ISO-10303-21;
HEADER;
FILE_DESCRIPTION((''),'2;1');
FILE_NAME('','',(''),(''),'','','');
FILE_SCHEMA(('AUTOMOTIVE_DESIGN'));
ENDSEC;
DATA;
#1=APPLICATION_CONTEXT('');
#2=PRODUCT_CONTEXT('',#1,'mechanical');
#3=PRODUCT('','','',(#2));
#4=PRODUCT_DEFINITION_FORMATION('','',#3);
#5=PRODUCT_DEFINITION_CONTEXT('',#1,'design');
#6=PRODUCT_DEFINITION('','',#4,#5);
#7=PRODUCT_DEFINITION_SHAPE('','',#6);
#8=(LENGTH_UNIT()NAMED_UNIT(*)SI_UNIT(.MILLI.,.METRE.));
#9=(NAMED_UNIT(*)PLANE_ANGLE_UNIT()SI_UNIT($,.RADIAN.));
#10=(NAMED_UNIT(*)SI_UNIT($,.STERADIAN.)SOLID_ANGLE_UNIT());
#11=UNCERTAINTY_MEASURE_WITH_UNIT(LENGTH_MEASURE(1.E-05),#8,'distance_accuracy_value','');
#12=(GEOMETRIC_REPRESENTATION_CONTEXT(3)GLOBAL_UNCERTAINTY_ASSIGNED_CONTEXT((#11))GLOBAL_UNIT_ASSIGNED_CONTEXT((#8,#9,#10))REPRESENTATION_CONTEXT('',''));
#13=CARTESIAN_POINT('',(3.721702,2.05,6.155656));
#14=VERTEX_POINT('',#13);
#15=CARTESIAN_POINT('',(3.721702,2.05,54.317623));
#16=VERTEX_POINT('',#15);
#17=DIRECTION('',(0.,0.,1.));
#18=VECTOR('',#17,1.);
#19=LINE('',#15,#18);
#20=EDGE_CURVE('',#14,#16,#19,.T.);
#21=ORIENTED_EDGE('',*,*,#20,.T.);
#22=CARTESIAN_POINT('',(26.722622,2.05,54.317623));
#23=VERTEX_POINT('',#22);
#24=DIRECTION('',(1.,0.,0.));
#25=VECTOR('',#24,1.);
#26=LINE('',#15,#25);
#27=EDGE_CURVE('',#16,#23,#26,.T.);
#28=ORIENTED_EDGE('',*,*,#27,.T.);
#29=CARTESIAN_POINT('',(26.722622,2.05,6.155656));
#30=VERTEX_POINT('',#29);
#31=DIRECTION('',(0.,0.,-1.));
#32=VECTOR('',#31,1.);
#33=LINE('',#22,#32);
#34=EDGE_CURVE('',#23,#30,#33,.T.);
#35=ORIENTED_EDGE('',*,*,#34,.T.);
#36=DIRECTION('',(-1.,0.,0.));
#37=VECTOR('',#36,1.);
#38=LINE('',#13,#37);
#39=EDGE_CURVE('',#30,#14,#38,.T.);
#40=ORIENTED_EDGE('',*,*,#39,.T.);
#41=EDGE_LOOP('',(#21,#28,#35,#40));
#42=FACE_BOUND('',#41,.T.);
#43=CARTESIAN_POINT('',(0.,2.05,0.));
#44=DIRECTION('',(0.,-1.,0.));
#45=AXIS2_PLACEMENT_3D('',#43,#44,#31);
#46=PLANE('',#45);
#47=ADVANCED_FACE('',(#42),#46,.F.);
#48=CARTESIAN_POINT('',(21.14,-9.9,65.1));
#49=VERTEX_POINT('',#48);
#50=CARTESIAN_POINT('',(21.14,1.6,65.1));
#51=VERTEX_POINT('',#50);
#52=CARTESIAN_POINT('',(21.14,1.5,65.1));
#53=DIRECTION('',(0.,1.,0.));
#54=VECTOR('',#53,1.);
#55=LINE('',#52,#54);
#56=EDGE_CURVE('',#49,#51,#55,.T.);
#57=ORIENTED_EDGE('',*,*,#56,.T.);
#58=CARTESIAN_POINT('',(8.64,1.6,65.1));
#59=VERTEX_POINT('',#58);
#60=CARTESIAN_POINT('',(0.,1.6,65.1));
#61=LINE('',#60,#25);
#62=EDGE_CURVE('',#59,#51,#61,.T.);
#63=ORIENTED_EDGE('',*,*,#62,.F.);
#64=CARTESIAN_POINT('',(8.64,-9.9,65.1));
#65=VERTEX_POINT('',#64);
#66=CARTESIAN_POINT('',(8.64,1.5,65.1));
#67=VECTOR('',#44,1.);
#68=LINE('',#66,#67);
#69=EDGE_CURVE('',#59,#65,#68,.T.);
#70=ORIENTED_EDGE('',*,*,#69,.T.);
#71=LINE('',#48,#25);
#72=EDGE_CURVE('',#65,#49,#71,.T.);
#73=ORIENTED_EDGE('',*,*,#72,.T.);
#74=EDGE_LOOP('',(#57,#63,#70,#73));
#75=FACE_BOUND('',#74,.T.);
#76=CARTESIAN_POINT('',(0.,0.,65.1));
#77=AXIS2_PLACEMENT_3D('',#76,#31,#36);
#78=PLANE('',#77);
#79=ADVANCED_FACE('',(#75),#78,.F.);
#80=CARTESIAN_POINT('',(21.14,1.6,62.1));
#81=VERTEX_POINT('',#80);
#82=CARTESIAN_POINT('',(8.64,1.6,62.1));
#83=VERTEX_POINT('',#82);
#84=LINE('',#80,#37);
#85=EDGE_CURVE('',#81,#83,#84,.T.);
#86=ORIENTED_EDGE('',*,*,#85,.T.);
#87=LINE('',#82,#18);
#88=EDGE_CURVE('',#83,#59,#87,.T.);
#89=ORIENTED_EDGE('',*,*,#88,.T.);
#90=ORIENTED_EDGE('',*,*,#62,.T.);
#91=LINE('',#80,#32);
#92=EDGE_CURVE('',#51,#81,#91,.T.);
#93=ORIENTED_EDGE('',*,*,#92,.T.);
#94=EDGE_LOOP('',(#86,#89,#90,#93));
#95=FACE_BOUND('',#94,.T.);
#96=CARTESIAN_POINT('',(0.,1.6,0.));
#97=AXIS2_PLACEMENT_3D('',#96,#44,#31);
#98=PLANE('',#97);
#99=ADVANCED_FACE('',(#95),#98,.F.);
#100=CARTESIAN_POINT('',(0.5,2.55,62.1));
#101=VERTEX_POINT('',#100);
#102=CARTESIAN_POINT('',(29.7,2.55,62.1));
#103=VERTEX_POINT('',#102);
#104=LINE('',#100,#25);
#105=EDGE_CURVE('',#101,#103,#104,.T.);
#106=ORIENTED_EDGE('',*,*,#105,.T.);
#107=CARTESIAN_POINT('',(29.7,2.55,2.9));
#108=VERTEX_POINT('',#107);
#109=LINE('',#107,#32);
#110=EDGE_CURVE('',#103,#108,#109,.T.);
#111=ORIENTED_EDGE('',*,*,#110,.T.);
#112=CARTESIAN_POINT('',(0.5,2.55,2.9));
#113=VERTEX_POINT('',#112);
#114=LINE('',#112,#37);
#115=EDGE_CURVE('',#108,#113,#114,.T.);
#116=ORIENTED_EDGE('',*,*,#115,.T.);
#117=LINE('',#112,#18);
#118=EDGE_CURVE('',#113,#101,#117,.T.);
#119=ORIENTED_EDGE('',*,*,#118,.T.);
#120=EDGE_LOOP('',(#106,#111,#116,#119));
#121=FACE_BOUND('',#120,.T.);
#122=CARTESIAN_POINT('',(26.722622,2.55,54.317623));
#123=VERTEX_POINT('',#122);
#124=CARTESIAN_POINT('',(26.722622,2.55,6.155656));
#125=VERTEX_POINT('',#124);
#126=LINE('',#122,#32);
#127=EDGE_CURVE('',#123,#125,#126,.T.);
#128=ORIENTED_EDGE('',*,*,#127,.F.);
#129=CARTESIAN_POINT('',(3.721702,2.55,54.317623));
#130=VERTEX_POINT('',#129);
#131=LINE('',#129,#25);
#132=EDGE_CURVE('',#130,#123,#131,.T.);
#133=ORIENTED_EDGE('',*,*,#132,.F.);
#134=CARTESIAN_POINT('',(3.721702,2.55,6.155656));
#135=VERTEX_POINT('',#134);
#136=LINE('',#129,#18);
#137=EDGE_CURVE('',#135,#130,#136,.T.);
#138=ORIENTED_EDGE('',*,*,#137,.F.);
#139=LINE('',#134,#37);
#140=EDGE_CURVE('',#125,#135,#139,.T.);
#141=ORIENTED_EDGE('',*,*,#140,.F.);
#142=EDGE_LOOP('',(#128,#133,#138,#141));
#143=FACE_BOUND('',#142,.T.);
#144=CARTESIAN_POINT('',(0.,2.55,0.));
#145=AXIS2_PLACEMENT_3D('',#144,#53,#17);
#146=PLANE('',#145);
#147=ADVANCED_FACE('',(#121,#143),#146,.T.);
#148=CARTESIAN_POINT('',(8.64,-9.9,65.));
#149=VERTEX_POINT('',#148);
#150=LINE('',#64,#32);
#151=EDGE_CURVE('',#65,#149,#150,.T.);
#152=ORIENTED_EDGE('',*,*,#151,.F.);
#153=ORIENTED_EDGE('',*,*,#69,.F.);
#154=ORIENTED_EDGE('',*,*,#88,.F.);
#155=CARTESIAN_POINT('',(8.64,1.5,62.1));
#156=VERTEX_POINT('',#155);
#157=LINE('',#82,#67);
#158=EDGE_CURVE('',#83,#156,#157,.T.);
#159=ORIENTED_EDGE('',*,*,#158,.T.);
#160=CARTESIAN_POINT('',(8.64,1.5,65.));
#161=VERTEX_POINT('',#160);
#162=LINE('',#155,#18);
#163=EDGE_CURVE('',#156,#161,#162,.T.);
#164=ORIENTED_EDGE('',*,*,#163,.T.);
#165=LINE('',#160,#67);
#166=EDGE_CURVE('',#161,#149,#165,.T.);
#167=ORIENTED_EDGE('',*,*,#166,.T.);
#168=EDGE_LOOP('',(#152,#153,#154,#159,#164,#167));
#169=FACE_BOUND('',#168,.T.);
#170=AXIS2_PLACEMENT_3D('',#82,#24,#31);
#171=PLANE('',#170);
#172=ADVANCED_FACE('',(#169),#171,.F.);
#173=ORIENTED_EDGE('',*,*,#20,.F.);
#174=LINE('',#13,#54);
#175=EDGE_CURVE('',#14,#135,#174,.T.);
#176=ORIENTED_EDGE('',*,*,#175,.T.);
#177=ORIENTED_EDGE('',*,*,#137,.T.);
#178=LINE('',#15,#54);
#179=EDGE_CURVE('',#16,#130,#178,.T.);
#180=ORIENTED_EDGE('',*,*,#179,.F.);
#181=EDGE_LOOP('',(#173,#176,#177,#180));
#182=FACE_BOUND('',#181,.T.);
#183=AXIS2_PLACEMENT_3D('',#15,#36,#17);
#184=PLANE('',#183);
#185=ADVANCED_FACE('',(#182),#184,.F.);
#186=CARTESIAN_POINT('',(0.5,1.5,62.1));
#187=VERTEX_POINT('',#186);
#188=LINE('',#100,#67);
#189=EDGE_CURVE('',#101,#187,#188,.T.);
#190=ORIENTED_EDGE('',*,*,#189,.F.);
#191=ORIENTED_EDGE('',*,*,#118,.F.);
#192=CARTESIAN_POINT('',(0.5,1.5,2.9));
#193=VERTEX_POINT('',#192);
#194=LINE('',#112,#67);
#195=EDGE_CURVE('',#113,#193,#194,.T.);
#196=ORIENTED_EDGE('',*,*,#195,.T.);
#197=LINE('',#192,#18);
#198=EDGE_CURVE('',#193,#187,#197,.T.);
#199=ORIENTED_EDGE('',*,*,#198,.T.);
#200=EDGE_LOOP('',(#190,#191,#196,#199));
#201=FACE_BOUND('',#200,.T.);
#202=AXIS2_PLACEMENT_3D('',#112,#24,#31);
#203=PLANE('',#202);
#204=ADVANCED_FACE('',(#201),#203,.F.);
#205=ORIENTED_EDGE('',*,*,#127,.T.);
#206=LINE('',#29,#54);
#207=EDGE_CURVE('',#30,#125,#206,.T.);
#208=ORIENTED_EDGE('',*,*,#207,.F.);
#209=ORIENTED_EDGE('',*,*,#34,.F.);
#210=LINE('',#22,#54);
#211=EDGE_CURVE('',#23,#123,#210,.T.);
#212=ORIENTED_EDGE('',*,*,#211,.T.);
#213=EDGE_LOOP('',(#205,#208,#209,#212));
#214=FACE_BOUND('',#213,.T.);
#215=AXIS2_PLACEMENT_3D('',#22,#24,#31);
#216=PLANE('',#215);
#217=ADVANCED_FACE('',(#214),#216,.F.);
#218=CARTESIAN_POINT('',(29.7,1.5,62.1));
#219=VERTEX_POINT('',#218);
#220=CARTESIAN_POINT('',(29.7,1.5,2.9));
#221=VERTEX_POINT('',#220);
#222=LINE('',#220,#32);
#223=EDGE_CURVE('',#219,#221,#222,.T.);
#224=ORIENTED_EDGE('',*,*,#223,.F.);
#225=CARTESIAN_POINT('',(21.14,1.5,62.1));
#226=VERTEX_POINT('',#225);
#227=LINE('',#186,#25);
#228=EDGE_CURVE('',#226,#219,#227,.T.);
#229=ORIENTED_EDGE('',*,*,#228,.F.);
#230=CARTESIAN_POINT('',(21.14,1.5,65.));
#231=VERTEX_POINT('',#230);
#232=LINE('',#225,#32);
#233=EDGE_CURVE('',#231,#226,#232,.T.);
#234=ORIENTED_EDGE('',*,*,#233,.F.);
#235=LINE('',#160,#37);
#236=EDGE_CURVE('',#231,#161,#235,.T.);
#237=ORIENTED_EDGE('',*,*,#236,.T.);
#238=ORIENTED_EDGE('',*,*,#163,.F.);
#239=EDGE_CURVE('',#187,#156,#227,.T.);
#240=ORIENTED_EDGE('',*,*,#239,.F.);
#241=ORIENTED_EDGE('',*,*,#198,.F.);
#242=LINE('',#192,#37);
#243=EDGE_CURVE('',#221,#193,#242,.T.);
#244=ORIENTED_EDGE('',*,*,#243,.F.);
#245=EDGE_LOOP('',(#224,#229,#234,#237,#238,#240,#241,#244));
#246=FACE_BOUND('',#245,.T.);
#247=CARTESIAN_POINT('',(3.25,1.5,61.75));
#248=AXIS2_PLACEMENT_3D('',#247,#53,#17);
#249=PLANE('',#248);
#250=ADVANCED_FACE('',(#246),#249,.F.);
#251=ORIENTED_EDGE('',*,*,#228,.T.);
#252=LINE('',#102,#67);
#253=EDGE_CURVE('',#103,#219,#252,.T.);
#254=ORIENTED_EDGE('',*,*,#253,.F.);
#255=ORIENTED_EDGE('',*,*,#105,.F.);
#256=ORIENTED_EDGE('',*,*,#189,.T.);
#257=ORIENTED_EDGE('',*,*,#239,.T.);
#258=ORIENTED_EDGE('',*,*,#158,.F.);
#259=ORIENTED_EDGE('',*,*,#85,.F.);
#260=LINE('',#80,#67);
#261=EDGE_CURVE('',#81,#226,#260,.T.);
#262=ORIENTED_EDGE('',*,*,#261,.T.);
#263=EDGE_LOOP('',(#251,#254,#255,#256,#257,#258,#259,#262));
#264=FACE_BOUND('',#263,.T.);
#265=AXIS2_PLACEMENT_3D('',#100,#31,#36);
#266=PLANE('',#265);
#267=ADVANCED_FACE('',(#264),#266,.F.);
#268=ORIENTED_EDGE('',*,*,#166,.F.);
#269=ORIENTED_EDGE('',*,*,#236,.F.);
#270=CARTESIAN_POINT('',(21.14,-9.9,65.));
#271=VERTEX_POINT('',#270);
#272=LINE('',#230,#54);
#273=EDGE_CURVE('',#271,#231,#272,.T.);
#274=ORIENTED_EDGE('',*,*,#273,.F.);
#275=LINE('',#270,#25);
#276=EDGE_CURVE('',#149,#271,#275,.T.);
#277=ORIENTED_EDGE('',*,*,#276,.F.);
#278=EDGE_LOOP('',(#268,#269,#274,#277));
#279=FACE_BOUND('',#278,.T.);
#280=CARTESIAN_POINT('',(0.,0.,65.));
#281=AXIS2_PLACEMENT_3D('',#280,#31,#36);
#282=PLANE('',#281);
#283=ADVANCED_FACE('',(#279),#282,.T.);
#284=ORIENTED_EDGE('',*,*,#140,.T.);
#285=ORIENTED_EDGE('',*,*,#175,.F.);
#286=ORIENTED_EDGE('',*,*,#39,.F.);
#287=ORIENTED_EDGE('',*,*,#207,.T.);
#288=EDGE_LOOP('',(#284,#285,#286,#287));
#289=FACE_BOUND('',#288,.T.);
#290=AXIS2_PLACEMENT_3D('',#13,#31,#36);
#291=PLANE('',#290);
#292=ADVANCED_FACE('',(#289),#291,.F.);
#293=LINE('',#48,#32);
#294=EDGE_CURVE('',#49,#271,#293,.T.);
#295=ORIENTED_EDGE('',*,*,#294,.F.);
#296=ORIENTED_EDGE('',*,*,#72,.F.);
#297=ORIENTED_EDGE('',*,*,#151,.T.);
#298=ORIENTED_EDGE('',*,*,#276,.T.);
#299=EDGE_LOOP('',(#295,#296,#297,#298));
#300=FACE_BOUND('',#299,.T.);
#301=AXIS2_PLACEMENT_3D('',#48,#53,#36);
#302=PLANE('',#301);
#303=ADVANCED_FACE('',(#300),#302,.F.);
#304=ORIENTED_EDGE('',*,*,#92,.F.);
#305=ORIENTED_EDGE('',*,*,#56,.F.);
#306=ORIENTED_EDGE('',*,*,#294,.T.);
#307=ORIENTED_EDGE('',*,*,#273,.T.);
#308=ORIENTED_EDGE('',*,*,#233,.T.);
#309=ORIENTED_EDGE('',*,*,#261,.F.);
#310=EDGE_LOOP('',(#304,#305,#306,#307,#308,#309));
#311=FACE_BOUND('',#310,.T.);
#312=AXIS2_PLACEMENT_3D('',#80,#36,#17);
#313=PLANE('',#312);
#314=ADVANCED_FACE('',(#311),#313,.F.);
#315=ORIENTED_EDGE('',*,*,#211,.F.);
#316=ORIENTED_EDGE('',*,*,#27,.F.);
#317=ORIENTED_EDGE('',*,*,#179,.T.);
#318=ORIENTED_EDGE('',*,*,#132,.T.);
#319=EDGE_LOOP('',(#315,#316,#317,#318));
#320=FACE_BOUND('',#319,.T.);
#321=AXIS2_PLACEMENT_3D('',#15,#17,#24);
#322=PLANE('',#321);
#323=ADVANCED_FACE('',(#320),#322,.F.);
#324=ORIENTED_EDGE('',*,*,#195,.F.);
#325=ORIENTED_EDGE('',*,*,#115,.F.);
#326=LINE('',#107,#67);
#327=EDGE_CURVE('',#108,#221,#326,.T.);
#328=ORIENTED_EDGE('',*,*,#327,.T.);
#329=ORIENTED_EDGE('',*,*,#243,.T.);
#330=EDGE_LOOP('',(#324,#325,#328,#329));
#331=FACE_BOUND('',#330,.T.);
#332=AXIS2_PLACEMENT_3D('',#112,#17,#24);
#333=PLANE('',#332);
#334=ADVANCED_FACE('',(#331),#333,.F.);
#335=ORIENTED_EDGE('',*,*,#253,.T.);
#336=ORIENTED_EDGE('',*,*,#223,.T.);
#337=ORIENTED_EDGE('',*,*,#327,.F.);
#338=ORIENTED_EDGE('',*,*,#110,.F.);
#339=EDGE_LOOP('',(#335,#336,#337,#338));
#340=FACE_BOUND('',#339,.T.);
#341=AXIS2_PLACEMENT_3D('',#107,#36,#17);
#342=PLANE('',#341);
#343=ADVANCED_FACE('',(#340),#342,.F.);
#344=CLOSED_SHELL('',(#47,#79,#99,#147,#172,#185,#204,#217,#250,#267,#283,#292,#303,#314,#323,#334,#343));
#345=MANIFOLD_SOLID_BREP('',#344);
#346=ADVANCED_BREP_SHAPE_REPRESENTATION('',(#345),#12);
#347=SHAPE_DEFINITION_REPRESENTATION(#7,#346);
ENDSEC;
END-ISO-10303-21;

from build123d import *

# Parameters (mm, degrees)
BOSS_EXTRUDE1_DEPTH = 1.5
SKETCH2_W           = 29.2
SKETCH2_H           = 59.2
BOSS_EXTRUDE2_DEPTH = 1.05
SKETCH3_W           = 12.5
SKETCH3_H           = 14.3
BOSS_EXTRUDE3_DEPTH = 0.1
SKETCH4_W           = 12.5
SKETCH4_H           = 3.5
BOSS_EXTRUDE4_DEPTH = 0.2
SKETCH5_W           = 12.5
SKETCH5_H           = 11.4
BOSS_EXTRUDE5_DEPTH = 0.1
SKETCH6_W           = 12.5
SKETCH6_H           = 0.3
CUT_EXTRUDE1_DEPTH  = 11.3
CUT_EXTRUDE2_DEPTH  = 1.5
SKETCH10_W          = 23.000919901
SKETCH10_H          = 48.161967413
CUT_EXTRUDE3_DEPTH  = 0.5


with BuildPart() as part:
    # Sketch1 → Boss-Extrude1 (new body)
    with BuildSketch(Plane(origin=(0, 0, 0), x_dir=(1, 0, 0), z_dir=(0, 1, 0))):
        with BuildLine():
            Line((3.25, 0), (26.95, 0))
            ThreePointArc((26.95, 0), (29.248097039, -0.951902961), (30.2, -3.25))
            Line((30.2, -3.25), (30.2, -61.75))
            ThreePointArc((30.2, -61.75), (29.248097039, -64.048097039), (26.95, -65))
            Line((26.95, -65), (3.25, -65))
            ThreePointArc((3.25, -65), (0.951902961, -64.048097039), (0, -61.75))
            Line((0, -61.75), (0, -3.25))
            ThreePointArc((0, -3.25), (0.951902961, -0.951902961), (3.25, 0))
        make_face()
    extrude(amount=BOSS_EXTRUDE1_DEPTH)

    # Sketch2 → Boss-Extrude2 (add)
    with BuildSketch(Plane(origin=(0, 1.5, 0), x_dir=(1, 0, 0), z_dir=(0, 1, 0))):
        with Locations((15.1, -32.5)):
            Rectangle(SKETCH2_W, SKETCH2_H)
    extrude(amount=BOSS_EXTRUDE2_DEPTH)

    # Sketch3 → Boss-Extrude3 (add)
    with BuildSketch(Plane(origin=(0, 1.5, 0), x_dir=(1, 0, 0), z_dir=(0, 1, 0))):
        with Locations((14.89, -69.25)):
            Rectangle(SKETCH3_W, SKETCH3_H)
    extrude(amount=BOSS_EXTRUDE3_DEPTH)

    # Sketch4 → Boss-Extrude4 (add)
    with BuildSketch(Plane(origin=(0, 1.6, 0), x_dir=(1, 0, 0), z_dir=(0, 1, 0))):
        with Locations((14.89, -74.65)):
            Rectangle(SKETCH4_W, SKETCH4_H)
    extrude(amount=BOSS_EXTRUDE4_DEPTH)

    # Sketch5 → Boss-Extrude5 (add)
    with BuildSketch(Plane.XY.offset(65)):
        with Locations((14.89, -4.2)):
            Rectangle(SKETCH5_W, SKETCH5_H)
    extrude(amount=BOSS_EXTRUDE5_DEPTH)

    # Sketch6 → Cut-Extrude1 (cut)
    with BuildSketch(Plane.XY.offset(76.4)):
        with Locations((14.89, 1.65)):
            Rectangle(SKETCH6_W, SKETCH6_H)
    extrude(amount=-CUT_EXTRUDE1_DEPTH, mode=Mode.SUBTRACT)

    # Sketch8 → Cut-Extrude2 (cut)
    with BuildSketch(Plane.XZ):
        with BuildLine():
            Line((21.14, 65), (8.64, 65))
            Line((8.64, 65), (3.25, 65))
            ThreePointArc((3.25, 65), (0.951902961, 64.048097039), (0, 61.75))
            Line((0, 61.75), (0, 3.25))
            ThreePointArc((0, 3.25), (0.951902961, 0.951902961), (3.25, 0))
            Line((3.25, 0), (26.95, 0))
            ThreePointArc((26.95, 0), (29.248097039, 0.951902961), (30.2, 3.25))
            Line((30.2, 3.25), (30.2, 61.75))
            ThreePointArc((30.2, 61.75), (29.248097039, 64.048097039), (26.95, 65))
            Line((26.95, 65), (21.14, 65))
        make_face()
    extrude(amount=-CUT_EXTRUDE2_DEPTH, mode=Mode.SUBTRACT)

    # Sketch10 → Cut-Extrude3 (cut)
    with BuildSketch(Plane(origin=(0, 2.55, 0), x_dir=(1, 0, 0), z_dir=(0, 1, 0))):
        with Locations((15.222162275, -30.236639689)):
            Rectangle(SKETCH10_W, SKETCH10_H)
    extrude(amount=-CUT_EXTRUDE3_DEPTH, mode=Mode.SUBTRACT)


solid = part.part
